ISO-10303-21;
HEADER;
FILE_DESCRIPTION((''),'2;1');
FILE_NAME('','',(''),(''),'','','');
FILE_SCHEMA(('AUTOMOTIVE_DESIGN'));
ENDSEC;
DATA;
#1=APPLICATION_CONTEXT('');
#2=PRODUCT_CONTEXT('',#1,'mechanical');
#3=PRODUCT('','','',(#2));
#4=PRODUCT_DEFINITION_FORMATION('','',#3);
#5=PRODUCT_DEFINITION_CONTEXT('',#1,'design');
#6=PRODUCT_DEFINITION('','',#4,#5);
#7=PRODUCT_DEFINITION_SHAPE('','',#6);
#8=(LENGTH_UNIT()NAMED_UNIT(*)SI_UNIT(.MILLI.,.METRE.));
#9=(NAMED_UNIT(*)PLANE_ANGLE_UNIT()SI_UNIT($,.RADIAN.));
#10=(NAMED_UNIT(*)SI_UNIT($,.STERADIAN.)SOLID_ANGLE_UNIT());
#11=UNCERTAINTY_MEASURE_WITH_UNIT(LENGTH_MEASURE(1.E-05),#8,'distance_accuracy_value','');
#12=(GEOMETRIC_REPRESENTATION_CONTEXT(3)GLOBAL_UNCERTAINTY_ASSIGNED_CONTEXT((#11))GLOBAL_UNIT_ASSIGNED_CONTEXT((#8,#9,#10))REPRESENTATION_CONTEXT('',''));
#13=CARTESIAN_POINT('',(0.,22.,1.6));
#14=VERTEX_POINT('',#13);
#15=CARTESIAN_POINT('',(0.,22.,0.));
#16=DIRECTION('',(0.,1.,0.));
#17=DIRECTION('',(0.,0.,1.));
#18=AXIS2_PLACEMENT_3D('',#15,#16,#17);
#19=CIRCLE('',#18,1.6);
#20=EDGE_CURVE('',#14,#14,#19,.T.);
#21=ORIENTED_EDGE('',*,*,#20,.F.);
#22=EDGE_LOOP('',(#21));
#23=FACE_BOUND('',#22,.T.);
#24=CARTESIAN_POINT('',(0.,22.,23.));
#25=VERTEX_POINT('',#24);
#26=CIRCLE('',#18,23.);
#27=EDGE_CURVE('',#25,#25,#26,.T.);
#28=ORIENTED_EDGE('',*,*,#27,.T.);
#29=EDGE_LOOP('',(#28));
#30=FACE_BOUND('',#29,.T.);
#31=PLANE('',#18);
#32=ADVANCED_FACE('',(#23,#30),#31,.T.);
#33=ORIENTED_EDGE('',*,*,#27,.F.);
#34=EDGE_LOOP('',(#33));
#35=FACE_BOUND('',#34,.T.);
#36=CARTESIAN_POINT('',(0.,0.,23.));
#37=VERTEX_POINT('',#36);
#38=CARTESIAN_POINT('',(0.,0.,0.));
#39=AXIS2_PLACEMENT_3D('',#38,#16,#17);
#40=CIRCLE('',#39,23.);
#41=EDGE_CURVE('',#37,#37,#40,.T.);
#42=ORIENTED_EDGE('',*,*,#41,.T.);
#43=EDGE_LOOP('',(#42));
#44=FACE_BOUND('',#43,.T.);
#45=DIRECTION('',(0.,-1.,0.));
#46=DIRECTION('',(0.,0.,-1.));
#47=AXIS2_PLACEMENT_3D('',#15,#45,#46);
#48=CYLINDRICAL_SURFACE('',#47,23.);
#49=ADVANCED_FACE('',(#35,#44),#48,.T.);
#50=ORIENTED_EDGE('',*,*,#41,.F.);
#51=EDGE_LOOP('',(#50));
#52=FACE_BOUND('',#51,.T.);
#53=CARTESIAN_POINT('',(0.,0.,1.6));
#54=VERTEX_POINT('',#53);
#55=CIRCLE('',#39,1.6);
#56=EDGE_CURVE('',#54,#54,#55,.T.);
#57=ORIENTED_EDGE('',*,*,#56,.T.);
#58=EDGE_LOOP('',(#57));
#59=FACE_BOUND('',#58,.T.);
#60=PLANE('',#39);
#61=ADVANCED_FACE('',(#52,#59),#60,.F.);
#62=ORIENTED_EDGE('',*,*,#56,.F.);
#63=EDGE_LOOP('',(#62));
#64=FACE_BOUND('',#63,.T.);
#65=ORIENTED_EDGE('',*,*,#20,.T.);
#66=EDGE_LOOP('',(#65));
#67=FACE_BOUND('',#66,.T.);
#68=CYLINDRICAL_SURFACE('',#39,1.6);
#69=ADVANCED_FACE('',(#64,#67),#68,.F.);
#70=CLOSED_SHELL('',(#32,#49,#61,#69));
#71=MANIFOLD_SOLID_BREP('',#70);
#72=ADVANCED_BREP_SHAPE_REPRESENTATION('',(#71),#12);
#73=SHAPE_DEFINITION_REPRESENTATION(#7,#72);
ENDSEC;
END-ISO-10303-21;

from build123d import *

# Parameters (mm, degrees)
SKETCH_1_R               = 23
EXTRUDE_1_DEPTH          = 22
SKETCH_2_R               = 1.6
CUT_EXTRUDE_1_DEPTH      = 1
CUT_EXTRUDE_1_DEPTH_BACK = 23


with BuildPart() as part:
    # 草图1 → 凸台-拉伸1 (new body)
    with BuildSketch(Plane(origin=(0, 0, 0), x_dir=(1, 0, 0), z_dir=(0, 1, 0))):
        Circle(SKETCH_1_R)
    extrude(amount=EXTRUDE_1_DEPTH)

    # 草图2 → 切除-拉伸1 (cut, two sides)
    with BuildSketch(Plane(origin=(0, 22, 0), x_dir=(1, 0, 0), z_dir=(0, 1, 0))) as cut_extrude_1_sk:
        Circle(SKETCH_2_R)
    extrude(amount=CUT_EXTRUDE_1_DEPTH, mode=Mode.SUBTRACT)
    extrude(cut_extrude_1_sk.sketch, amount=-CUT_EXTRUDE_1_DEPTH_BACK, mode=Mode.SUBTRACT)


solid = part.part
